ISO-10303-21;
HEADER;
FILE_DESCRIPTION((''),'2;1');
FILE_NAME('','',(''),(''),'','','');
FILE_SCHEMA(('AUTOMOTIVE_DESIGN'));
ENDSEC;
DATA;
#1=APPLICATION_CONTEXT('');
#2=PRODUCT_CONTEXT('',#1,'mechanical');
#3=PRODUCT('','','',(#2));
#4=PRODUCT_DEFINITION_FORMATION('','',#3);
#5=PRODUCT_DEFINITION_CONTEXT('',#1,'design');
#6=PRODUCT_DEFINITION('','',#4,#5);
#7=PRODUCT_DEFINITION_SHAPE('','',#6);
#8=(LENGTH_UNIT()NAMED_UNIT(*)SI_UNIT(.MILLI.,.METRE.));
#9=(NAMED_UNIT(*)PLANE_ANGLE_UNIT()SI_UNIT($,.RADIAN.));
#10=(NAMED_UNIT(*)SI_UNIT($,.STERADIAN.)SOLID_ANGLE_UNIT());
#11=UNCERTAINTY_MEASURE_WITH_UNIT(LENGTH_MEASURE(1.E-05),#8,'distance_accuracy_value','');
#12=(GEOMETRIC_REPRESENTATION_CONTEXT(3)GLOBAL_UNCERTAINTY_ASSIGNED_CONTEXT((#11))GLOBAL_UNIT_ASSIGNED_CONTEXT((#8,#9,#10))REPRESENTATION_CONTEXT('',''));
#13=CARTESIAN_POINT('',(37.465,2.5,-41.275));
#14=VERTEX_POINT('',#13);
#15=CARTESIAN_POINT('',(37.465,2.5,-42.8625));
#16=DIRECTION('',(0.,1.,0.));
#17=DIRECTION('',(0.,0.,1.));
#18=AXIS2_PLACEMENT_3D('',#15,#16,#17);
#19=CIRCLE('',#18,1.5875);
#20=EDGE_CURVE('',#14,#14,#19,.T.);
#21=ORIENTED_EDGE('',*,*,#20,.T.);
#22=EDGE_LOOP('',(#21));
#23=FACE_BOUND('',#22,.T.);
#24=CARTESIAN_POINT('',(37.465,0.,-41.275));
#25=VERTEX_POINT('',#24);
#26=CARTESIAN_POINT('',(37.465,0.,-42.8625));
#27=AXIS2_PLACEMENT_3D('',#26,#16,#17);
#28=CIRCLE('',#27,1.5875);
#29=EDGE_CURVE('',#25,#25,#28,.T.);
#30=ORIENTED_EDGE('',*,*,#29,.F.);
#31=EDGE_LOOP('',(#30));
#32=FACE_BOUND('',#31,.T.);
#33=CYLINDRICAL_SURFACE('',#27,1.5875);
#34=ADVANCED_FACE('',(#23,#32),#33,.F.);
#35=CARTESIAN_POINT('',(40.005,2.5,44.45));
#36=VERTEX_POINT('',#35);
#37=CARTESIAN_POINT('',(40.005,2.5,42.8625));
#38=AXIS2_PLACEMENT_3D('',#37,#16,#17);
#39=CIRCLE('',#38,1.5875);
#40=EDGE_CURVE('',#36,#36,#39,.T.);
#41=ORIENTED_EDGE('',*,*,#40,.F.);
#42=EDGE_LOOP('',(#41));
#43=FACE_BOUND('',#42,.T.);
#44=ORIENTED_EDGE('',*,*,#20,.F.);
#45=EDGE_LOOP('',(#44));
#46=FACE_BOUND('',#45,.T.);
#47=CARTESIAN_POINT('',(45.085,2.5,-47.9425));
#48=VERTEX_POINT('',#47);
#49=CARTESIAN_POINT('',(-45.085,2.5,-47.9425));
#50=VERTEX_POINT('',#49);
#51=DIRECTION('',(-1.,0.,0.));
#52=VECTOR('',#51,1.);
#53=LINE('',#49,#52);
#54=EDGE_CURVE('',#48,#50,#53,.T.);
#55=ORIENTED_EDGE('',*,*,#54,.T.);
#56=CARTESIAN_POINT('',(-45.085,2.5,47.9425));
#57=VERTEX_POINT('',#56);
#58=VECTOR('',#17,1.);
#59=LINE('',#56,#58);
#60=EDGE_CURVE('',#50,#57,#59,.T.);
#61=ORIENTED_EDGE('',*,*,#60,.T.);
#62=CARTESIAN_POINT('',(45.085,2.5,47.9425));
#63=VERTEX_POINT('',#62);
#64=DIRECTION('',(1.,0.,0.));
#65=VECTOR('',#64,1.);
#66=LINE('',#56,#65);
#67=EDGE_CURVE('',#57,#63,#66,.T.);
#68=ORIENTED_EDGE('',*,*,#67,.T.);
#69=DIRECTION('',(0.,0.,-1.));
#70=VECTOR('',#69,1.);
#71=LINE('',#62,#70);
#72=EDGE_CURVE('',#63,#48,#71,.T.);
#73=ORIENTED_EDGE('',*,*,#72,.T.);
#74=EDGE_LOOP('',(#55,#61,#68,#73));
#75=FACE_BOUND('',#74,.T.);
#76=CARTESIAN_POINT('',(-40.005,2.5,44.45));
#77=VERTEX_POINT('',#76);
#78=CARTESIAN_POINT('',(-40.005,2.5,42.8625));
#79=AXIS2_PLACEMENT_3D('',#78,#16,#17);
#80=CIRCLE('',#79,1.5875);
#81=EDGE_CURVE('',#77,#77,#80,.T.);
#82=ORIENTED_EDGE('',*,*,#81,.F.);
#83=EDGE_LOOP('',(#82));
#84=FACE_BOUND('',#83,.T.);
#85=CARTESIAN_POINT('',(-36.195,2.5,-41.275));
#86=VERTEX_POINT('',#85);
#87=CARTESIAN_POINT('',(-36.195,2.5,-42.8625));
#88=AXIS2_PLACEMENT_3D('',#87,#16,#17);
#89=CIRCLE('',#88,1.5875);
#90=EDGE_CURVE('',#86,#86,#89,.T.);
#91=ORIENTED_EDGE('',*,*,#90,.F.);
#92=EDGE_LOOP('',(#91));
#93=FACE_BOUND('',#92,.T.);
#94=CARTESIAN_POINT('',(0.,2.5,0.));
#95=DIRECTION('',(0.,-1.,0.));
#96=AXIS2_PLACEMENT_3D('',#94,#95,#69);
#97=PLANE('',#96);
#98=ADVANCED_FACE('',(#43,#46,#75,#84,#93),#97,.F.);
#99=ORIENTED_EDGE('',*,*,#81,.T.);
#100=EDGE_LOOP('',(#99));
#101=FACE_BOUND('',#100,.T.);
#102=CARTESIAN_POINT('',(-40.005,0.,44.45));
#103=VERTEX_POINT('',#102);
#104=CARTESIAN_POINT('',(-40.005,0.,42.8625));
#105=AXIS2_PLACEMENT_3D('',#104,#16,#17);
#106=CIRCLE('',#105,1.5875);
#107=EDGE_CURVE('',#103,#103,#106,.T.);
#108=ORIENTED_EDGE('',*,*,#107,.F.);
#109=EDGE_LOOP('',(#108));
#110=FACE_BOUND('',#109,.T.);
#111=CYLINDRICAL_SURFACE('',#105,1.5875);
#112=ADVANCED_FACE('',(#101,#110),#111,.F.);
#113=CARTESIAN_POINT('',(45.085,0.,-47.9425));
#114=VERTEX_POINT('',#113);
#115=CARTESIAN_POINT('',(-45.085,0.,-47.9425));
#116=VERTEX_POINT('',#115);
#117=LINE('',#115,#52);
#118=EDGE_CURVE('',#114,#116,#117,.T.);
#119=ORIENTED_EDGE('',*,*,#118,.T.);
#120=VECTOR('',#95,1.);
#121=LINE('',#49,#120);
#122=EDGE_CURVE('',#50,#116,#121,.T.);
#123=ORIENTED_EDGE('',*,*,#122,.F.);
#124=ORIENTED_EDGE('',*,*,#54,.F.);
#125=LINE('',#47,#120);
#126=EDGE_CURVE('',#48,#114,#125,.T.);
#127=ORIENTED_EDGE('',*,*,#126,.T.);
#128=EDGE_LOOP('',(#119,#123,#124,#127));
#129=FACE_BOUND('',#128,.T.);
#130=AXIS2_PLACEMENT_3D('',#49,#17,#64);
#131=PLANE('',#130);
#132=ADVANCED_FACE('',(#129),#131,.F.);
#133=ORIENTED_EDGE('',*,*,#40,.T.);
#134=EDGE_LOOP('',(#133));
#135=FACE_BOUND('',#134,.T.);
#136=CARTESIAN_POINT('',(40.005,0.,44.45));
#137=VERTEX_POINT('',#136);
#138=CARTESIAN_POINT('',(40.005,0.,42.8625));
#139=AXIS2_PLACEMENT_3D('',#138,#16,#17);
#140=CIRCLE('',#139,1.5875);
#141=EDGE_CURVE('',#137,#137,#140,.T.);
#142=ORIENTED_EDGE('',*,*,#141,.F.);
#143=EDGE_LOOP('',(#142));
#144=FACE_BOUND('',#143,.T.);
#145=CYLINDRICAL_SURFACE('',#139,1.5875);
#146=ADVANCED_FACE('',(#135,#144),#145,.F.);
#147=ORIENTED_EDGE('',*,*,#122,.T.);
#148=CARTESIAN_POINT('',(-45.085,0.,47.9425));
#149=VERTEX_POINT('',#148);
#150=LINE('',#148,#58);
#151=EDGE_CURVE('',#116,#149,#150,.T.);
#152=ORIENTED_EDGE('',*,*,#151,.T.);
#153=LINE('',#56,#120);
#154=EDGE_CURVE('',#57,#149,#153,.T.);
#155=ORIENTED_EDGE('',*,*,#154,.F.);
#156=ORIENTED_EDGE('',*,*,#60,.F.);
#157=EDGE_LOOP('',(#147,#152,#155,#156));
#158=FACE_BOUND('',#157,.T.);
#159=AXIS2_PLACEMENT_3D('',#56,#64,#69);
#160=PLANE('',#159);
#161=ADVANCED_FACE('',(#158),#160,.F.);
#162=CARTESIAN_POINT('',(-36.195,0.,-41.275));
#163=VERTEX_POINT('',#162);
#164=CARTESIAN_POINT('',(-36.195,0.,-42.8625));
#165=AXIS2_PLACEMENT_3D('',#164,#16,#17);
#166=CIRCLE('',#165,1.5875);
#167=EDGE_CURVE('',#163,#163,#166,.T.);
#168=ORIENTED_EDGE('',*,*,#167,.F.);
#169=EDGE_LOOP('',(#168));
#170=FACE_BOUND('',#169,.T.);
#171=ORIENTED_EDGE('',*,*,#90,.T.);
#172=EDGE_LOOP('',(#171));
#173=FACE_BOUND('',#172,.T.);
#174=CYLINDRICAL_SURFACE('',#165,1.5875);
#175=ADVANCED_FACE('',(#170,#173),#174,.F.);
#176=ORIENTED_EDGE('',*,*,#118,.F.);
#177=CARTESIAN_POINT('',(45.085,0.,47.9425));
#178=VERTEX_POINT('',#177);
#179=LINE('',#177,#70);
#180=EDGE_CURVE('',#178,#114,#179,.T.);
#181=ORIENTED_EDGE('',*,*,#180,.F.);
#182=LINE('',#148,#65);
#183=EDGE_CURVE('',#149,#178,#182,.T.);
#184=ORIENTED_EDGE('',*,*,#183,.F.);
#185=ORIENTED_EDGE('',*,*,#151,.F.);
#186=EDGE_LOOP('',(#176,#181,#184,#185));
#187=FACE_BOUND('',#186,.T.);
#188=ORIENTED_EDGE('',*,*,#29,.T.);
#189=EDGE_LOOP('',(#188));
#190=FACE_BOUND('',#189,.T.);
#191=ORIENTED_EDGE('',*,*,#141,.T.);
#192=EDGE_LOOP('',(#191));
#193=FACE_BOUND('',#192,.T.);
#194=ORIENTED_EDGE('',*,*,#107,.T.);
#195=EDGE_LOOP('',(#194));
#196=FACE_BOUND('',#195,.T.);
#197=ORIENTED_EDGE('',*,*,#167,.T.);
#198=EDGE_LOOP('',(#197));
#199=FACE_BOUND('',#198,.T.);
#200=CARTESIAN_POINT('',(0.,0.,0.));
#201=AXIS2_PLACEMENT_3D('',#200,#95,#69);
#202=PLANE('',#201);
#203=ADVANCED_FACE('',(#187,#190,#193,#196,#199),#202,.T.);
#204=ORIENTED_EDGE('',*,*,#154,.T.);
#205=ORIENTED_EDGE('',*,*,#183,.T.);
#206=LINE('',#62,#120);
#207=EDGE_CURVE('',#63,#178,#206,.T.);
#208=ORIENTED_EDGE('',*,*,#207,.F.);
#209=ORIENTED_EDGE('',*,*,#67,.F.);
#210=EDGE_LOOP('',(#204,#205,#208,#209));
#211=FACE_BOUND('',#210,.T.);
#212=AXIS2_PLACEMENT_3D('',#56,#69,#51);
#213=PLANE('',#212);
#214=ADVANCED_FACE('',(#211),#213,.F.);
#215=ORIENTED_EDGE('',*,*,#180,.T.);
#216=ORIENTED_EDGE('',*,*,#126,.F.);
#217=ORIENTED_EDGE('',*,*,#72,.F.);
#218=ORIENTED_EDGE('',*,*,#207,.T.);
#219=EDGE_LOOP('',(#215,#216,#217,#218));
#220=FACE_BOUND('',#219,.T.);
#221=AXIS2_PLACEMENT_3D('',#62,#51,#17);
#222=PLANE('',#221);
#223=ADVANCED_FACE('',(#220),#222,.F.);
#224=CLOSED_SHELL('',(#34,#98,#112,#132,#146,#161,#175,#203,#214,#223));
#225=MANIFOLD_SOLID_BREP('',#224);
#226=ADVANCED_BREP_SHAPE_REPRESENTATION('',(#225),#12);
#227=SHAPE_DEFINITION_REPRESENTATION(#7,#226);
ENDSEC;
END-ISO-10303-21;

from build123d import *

# Parameters (mm, degrees)
SKETCH1_W           = 90.17
SKETCH1_H           = 95.885
BOSS_EXTRUDE1_DEPTH = 2.5
SKETCH2_R           = 1.5875
CUT_EXTRUDE1_DEPTH  = 2.5


with BuildPart() as part:
    # Sketch1 → Boss-Extrude1 (new body)
    with BuildSketch(Plane(origin=(0, 0, 0), x_dir=(1, 0, 0), z_dir=(0, 1, 0))):
        Rectangle(SKETCH1_W, SKETCH1_H)
    extrude(amount=BOSS_EXTRUDE1_DEPTH)

    # Sketch2 → Cut-Extrude1 (cut)
    with BuildSketch(Plane(origin=(0, 2.5, 0), x_dir=(1, 0, 0), z_dir=(0, 1, 0))):
        with Locations(Location((-40.005, -42.8625, 0), (0, 0, 270))):
            Circle(SKETCH2_R)
        with Locations(Location((-36.195, 42.8625, 0), (0, 0, 270))):
            Circle(SKETCH2_R)
        with Locations(Location((37.465, 42.8625, 0), (0, 0, 270))):
            Circle(SKETCH2_R)
        with Locations(Location((40.005, -42.8625, 0), (0, 0, 270))):
            Circle(SKETCH2_R)
    extrude(amount=-CUT_EXTRUDE1_DEPTH, mode=Mode.SUBTRACT)


solid = part.part
